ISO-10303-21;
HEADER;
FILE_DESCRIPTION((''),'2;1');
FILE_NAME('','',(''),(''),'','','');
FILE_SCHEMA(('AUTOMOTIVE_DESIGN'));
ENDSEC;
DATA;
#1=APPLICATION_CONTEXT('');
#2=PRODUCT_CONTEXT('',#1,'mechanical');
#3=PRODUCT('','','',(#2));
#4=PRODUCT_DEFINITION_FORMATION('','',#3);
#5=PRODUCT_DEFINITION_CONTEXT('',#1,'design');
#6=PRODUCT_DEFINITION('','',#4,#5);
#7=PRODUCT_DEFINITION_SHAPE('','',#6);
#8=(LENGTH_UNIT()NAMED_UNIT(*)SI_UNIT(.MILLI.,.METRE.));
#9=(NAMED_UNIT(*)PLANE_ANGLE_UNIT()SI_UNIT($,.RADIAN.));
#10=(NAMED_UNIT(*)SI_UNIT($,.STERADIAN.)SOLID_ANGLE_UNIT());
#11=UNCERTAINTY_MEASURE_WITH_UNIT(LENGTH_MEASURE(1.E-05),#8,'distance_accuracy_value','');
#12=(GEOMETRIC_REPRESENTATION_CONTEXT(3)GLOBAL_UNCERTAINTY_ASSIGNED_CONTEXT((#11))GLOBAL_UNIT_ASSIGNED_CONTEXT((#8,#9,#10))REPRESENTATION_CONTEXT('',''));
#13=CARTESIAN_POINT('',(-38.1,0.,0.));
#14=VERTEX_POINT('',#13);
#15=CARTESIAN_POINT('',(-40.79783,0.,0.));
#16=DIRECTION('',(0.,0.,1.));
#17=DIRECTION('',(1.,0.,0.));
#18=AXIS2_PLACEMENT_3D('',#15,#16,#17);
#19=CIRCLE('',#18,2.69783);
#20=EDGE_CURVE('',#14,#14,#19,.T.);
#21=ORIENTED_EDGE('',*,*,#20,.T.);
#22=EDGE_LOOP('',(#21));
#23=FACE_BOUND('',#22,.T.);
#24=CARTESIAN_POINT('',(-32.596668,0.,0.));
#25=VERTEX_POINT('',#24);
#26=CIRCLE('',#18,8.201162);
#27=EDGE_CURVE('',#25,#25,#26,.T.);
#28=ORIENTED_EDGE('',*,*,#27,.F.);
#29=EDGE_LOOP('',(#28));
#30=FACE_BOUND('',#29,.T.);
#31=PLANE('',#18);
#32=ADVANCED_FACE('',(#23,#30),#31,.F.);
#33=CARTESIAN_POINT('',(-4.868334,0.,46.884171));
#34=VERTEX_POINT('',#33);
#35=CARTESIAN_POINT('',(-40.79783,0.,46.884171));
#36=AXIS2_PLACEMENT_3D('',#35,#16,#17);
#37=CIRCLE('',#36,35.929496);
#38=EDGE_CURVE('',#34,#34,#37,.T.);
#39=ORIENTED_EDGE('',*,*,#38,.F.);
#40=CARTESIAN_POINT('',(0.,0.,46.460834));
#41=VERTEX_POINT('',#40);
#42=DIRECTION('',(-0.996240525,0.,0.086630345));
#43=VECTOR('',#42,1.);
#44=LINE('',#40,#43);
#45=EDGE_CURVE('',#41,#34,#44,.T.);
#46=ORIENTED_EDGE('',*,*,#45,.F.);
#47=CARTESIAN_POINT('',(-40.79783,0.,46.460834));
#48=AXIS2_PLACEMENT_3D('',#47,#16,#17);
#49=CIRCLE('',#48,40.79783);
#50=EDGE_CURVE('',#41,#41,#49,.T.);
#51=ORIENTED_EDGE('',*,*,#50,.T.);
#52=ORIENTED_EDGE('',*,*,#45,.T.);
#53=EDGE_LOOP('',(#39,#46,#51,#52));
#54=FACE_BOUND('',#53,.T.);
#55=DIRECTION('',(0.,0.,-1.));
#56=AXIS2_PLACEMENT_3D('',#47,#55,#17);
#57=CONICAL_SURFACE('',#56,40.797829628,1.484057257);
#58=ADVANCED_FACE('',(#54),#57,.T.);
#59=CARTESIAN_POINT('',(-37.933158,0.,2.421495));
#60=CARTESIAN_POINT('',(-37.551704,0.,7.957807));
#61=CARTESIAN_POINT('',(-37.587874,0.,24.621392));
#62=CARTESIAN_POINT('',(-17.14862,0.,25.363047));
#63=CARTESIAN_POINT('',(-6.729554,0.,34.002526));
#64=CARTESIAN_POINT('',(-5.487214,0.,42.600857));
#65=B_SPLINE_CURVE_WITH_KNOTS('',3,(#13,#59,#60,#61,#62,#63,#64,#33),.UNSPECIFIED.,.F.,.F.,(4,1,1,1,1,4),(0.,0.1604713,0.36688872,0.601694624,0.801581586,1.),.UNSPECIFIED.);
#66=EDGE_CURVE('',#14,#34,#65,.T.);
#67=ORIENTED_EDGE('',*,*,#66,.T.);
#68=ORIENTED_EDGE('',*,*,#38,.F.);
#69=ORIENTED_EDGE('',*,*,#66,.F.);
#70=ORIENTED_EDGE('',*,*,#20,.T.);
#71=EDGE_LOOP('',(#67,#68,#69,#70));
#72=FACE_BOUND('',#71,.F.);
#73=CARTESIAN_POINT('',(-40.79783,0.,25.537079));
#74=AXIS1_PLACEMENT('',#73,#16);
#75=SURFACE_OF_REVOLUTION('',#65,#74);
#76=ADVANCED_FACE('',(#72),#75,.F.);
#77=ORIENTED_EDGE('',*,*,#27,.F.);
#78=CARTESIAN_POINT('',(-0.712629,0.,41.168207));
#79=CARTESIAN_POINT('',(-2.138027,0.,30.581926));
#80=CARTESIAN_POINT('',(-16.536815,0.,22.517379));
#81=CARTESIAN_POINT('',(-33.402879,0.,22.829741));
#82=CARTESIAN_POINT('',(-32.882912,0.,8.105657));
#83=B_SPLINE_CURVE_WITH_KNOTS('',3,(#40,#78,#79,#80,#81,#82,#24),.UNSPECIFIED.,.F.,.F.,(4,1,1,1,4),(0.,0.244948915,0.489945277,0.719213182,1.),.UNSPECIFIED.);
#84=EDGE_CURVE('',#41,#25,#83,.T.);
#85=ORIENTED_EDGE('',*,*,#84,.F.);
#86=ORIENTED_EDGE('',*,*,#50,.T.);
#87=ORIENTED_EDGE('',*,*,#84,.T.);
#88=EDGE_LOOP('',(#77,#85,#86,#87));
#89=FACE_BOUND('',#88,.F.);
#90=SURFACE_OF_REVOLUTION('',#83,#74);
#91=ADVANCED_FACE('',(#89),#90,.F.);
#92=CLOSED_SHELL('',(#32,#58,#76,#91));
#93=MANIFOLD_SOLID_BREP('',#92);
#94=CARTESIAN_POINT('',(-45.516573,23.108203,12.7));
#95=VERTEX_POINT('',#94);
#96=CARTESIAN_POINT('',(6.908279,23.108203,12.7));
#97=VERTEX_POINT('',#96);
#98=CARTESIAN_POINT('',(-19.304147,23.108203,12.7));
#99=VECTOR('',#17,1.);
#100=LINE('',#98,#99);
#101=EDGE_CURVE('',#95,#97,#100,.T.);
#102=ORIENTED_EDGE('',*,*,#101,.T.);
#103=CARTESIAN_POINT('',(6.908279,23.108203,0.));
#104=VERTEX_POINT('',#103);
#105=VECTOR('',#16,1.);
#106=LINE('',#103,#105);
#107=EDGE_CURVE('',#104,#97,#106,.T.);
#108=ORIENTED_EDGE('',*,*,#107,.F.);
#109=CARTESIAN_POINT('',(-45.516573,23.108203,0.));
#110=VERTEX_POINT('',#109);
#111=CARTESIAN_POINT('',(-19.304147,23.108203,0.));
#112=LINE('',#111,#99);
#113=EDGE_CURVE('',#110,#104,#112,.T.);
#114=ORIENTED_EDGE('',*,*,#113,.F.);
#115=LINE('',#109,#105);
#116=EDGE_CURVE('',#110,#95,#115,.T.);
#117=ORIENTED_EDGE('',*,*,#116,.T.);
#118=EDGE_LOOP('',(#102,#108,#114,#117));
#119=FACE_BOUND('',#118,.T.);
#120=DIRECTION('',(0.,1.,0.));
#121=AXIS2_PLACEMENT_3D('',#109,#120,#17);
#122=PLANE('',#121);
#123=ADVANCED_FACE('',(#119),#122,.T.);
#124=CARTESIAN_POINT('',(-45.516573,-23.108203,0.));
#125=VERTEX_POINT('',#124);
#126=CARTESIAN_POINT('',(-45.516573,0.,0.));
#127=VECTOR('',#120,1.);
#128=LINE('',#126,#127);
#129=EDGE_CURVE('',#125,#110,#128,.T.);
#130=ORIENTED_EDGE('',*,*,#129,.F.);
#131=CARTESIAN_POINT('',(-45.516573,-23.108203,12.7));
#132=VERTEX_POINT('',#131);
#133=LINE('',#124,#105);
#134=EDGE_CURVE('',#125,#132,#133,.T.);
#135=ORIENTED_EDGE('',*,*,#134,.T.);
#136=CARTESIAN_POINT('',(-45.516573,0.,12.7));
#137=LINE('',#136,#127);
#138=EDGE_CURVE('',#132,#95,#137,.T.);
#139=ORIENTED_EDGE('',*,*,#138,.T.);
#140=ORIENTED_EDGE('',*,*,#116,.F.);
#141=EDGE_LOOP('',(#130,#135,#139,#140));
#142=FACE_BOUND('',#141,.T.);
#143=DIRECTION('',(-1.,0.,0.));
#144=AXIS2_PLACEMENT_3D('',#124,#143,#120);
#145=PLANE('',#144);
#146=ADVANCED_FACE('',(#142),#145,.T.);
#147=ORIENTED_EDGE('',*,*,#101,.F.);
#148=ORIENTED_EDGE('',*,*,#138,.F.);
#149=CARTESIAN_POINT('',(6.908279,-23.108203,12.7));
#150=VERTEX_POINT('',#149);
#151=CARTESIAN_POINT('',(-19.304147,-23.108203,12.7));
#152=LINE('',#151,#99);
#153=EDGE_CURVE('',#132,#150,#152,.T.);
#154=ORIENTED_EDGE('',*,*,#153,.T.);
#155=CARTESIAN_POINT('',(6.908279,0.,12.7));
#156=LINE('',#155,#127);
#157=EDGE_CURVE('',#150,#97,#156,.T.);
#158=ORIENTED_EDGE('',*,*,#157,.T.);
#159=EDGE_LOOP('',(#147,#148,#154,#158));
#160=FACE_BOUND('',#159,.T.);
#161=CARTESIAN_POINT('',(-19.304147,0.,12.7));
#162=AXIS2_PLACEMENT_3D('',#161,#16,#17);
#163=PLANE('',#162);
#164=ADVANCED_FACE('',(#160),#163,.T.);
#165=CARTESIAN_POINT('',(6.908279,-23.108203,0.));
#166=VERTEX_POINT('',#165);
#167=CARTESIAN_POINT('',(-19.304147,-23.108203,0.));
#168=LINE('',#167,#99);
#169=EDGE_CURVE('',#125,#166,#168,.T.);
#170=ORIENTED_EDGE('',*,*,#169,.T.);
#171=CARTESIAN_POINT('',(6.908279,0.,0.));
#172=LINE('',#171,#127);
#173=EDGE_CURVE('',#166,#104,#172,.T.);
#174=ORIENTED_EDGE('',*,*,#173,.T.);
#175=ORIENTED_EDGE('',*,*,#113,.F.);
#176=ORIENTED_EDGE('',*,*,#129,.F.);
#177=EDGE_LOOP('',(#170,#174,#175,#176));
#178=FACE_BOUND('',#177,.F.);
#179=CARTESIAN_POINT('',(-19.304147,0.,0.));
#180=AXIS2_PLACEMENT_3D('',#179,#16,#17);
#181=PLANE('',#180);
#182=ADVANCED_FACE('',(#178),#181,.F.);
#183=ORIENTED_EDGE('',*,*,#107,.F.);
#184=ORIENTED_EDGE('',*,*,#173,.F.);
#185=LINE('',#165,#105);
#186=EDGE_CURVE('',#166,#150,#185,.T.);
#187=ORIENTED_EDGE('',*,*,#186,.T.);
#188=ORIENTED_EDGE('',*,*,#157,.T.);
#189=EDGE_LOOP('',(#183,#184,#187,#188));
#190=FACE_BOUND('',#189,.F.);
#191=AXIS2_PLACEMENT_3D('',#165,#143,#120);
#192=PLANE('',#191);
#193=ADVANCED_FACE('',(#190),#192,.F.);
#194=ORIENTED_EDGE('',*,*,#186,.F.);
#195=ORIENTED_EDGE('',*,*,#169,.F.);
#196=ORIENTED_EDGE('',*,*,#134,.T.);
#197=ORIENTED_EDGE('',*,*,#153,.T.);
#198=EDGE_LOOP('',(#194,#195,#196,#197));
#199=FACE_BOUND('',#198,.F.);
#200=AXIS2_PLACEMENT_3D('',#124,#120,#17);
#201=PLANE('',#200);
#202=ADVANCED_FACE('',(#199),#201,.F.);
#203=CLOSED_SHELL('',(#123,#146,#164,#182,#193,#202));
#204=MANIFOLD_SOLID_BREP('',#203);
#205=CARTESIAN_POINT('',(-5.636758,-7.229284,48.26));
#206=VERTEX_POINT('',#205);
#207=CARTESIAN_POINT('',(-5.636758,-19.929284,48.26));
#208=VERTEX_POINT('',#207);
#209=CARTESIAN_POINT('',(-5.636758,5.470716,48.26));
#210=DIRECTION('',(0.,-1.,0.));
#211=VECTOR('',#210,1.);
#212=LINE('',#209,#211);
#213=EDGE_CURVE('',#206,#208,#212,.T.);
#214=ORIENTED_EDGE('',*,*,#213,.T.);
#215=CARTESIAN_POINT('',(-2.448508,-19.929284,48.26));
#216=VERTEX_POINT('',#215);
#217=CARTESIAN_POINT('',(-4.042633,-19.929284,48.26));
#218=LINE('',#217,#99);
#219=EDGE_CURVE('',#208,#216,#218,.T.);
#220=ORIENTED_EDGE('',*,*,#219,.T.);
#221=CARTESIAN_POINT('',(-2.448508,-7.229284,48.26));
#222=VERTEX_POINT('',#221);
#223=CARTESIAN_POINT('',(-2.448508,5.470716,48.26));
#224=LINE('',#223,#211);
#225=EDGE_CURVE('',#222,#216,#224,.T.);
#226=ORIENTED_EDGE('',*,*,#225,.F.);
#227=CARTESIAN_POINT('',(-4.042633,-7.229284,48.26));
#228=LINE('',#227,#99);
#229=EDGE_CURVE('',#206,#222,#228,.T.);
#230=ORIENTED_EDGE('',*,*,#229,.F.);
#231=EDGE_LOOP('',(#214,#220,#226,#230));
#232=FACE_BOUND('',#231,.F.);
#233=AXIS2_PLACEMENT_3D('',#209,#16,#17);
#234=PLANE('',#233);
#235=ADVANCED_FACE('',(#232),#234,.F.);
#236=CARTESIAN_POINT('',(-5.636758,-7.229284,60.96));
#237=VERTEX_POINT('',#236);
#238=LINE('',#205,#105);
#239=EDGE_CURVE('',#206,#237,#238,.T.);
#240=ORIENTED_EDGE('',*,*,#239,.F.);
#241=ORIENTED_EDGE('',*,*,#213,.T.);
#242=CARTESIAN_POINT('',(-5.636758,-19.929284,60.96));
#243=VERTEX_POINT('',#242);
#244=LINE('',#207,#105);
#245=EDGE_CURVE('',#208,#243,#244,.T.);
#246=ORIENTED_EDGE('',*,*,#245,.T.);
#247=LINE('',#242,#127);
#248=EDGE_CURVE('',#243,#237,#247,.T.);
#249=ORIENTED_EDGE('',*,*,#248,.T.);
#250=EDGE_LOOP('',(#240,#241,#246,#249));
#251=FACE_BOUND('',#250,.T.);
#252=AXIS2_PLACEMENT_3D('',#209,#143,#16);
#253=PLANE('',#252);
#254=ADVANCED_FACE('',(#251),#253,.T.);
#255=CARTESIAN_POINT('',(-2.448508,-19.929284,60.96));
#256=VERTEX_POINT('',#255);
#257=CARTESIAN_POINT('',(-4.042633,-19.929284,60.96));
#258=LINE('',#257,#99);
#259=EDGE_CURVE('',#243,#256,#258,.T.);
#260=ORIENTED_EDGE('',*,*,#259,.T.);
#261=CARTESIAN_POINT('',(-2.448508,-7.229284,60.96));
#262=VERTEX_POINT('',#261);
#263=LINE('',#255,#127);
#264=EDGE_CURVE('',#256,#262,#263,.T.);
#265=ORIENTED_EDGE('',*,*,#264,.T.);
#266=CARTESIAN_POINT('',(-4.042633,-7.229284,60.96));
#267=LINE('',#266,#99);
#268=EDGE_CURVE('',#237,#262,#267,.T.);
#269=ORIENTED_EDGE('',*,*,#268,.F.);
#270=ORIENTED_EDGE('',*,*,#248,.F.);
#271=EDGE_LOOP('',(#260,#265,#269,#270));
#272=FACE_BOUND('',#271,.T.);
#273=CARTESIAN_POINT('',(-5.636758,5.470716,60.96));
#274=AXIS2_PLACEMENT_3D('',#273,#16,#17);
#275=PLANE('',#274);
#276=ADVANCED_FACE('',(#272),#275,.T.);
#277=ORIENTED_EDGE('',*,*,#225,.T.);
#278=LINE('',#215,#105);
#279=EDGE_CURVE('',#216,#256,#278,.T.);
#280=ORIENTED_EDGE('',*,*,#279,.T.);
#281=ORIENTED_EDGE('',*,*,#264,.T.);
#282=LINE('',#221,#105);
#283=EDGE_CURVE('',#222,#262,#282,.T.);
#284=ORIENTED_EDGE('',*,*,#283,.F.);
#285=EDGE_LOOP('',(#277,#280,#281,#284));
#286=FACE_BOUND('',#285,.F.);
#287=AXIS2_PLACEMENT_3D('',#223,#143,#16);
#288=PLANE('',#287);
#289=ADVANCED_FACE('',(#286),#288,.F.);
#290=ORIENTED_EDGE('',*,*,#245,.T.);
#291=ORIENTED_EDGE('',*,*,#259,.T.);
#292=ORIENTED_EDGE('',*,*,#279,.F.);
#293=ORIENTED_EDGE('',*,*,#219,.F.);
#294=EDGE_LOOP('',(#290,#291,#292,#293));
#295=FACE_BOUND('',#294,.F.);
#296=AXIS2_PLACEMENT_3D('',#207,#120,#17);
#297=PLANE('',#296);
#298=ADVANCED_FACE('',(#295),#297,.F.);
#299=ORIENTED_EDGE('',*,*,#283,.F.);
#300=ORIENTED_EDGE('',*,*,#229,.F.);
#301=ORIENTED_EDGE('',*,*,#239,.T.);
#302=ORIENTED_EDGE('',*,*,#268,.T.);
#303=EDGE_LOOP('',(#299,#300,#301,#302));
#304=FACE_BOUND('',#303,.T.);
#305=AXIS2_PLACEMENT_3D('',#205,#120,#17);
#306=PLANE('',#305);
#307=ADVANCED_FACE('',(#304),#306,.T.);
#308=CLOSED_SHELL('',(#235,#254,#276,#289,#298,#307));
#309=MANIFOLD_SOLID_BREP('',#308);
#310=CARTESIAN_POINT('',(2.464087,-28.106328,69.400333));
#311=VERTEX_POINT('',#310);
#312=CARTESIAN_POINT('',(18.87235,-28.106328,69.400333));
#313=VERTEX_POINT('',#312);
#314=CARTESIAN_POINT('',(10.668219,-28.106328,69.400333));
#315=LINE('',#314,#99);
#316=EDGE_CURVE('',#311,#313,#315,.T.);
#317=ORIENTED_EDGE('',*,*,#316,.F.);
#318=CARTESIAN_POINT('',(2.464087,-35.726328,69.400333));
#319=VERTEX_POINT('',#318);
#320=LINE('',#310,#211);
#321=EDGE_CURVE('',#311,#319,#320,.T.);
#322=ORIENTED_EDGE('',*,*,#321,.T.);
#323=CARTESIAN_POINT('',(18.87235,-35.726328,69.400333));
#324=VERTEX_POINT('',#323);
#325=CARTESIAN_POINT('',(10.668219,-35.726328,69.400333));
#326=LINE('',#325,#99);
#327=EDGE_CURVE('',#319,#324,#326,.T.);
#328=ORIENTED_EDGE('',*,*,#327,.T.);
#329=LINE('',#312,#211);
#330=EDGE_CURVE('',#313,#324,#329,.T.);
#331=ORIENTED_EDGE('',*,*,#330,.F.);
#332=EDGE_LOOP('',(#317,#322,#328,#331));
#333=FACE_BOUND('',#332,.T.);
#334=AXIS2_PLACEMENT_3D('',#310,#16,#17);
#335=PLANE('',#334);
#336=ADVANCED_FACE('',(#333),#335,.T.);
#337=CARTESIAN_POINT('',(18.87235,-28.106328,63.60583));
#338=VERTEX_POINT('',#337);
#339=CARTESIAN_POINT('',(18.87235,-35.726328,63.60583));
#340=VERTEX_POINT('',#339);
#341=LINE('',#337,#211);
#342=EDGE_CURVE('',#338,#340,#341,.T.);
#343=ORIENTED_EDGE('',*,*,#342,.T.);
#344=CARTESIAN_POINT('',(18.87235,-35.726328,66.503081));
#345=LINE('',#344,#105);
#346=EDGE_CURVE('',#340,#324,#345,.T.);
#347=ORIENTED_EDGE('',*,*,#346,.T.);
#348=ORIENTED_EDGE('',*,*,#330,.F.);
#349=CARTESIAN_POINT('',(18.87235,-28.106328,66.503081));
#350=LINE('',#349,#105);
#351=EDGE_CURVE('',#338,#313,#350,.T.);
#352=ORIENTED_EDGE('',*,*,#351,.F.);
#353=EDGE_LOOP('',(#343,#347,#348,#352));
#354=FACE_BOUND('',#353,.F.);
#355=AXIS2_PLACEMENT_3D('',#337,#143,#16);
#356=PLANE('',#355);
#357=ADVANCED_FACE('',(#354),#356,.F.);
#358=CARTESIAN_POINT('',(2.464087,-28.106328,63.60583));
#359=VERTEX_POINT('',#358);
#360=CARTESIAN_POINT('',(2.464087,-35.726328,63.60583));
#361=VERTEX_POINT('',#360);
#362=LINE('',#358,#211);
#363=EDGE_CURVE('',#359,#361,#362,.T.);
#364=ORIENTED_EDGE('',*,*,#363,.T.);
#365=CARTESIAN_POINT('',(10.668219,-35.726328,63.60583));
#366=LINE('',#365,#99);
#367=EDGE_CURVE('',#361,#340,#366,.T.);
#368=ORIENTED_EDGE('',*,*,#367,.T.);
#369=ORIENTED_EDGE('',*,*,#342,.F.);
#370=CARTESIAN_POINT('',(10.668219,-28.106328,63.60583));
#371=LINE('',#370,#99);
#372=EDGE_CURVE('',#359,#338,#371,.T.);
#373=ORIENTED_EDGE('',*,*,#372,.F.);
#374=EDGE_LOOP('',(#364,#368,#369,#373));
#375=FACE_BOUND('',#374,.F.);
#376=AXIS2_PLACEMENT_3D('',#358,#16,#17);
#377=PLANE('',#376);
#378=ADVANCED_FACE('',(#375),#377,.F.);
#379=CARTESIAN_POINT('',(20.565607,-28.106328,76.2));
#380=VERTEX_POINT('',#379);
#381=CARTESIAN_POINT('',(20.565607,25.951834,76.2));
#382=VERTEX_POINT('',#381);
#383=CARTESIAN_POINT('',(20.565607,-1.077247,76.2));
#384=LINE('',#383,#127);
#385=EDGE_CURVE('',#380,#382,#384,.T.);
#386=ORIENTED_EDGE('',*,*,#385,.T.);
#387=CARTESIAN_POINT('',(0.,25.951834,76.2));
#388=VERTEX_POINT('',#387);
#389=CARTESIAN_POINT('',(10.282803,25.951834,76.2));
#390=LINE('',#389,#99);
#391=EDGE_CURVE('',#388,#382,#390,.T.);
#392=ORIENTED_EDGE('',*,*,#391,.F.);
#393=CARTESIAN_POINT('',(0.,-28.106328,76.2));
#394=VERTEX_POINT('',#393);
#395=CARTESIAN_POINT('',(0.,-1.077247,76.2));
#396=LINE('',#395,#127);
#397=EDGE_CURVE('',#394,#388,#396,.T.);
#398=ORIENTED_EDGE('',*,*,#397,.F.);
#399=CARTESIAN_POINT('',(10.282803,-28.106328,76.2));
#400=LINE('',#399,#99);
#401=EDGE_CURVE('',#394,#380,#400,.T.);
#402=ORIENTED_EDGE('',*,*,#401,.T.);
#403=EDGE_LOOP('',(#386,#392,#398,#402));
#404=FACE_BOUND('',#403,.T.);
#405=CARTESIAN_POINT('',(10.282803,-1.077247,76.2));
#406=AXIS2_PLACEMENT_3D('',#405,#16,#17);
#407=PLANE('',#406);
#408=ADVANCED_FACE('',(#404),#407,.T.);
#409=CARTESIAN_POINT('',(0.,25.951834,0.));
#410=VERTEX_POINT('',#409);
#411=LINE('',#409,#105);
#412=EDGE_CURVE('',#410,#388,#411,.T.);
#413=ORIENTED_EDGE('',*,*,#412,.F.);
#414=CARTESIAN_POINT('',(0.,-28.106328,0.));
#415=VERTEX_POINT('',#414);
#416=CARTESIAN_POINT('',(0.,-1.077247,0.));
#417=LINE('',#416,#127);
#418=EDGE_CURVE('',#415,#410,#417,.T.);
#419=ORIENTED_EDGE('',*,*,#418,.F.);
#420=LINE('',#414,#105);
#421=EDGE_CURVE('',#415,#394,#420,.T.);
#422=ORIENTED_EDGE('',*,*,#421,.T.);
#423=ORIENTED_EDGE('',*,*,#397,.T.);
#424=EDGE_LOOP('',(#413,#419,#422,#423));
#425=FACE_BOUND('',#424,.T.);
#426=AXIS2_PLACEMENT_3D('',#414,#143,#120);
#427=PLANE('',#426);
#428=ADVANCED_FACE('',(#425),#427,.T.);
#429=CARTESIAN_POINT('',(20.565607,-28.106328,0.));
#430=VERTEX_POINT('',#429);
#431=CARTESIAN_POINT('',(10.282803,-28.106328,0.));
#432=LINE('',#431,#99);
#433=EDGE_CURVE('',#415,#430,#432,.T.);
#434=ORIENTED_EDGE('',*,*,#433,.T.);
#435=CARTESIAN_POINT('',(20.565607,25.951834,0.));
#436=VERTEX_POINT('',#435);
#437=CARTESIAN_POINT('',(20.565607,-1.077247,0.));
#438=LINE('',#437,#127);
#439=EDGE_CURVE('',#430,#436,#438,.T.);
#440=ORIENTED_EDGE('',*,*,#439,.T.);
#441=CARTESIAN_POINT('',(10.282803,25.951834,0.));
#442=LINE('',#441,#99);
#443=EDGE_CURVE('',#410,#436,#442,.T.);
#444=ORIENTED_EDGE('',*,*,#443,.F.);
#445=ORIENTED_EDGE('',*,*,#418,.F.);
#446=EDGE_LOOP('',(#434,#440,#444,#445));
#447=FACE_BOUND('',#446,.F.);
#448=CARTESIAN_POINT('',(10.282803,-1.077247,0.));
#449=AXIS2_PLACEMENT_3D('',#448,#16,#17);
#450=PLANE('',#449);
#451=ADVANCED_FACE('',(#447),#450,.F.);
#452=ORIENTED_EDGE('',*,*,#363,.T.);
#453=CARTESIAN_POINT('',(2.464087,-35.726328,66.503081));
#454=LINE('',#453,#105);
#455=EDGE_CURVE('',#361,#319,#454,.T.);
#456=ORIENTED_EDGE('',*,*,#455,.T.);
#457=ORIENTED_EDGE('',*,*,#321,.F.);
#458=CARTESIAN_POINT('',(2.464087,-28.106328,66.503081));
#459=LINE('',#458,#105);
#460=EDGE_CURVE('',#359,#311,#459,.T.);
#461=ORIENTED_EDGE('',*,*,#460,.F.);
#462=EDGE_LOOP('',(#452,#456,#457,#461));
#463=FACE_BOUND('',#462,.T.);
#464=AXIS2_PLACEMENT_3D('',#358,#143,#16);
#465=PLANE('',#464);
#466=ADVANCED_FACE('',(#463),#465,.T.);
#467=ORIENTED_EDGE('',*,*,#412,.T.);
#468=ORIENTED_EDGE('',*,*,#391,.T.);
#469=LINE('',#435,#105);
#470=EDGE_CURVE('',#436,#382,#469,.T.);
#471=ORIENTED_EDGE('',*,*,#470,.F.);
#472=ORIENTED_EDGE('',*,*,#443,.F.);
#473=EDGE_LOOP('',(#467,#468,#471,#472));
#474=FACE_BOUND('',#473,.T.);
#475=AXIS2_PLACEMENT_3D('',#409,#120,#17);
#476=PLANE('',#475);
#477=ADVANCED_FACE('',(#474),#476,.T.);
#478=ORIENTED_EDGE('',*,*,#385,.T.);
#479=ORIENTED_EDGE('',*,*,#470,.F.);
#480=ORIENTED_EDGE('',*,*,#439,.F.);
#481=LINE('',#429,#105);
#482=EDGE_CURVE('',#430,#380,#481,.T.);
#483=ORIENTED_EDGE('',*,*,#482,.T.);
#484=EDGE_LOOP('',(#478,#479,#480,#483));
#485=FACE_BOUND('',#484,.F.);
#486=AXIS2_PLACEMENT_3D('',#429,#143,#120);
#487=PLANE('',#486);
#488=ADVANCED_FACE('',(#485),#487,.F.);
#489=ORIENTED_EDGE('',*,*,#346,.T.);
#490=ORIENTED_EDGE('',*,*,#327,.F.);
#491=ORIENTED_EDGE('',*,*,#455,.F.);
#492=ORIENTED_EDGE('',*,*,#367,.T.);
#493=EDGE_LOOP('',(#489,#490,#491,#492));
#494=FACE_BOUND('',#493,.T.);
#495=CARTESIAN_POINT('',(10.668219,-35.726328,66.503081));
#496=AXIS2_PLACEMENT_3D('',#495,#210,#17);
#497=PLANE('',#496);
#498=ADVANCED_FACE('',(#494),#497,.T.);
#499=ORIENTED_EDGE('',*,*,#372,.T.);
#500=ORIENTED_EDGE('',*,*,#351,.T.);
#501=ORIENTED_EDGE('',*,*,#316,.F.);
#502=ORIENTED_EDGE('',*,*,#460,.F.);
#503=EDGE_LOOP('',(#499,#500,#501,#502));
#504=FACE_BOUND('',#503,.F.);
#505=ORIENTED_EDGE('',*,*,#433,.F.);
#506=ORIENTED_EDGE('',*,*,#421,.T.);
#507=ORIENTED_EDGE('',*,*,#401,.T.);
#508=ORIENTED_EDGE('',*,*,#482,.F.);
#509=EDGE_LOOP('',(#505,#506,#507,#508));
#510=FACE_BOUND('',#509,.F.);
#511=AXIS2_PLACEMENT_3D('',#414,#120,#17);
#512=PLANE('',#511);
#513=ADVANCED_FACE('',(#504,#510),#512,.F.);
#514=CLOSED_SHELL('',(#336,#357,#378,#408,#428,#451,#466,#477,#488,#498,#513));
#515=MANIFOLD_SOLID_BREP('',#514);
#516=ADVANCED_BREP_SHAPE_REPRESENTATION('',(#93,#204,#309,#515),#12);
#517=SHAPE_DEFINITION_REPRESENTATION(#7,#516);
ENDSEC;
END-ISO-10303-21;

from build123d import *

# Parameters (mm, degrees)
F0_W      = 20.5656066537
F0_H      = 54.0581624955
F1_DEPTH  = 76.2
F5_W      = 16.4082637057
F5_H      = 5.7945027947
F6_DEPTH  = 7.62
F7_W      = 52.424851805
F7_H      = 46.2164059281
F8_DEPTH  = 12.7
F10_W     = 3.1882505864
F10_H     = 10.9414318576
F11_DEPTH = 12.7
F12_DEPTH = 25.4
F13_DEPTH = 12.7


with BuildPart() as f1:
    # F0 (on Top) → F1 (new body)
    with BuildSketch(Plane.XY):
        with Locations((10.2828033268, -1.0772468522)):
            Rectangle(F0_W, F0_H)
    extrude(amount=F1_DEPTH)

    # F5 (on face) → F6 (join)
    with BuildSketch(Plane.XZ.offset(28.1063281)):
        with Locations((10.6682186015, 66.5030814707)):
            Rectangle(F5_W, F5_H)
    extrude(amount=F6_DEPTH)


with BuildPart() as f4:
    # F2 (on Front) → F4 (revolve)
    with BuildSketch(Plane.XZ):
        with BuildLine():
            add(Edge.make_bspline(
                [(0, 46.4608344404), (-0.712629488, 41.1682067449), (-2.1380265, 30.5819261738), (-16.5368148643, 22.5173794107), (-33.4028787088, 22.8297413406), (-32.8829115311, 8.1056571837), (-32.5966678744, 0)],
                knots=[0, 0, 0, 0, 0.244948915, 0.4899452765, 0.7192131823, 1, 1, 1, 1], degree=3))
            Line((0, 46.4608344404), (-4.8683337359, 46.8841713971))
            add(Edge.make_bspline(
                [(-38.1, 0), (-37.9331579189, 2.4214950026), (-37.5517035553, 7.9578071182), (-37.5878736416, 24.6213915584), (-17.1486198813, 25.3630469839), (-6.7295544595, 34.0025257621), (-5.4872138126, 42.6008568298), (-4.8683337359, 46.8841713971)],
                knots=[0, 0, 0, 0, 0.1604712998, 0.3668887198, 0.6016946245, 0.8015815856, 1, 1, 1, 1], degree=3))
            Line((-38.1, 0), (-32.5966678744, 0))
        make_face()
    revolve(axis=Axis((-40.797829628, 0, 25.5370792001), (0, 0, 1)))


with BuildPart() as f8:
    # F7 (on Top) → F8 (new body)
    with BuildSketch(Plane.XY):
        with Locations((-19.3041469902, 0)):
            Rectangle(F7_W, F7_H)
    extrude(amount=F8_DEPTH)


with BuildPart() as f11:
    # F10 (on offset) → F11 (new body)
    with BuildSketch(Plane.XY.offset(48.26)):
        with Locations((-4.0426328778, 0)):
            Rectangle(F10_W, F10_H)
    extrude(amount=F11_DEPTH)

    # F12 (add): a face of the model
    f12_faces = [f11.faces().sort_by_distance(p)[0] for p in [
        (-4.0426328778, 5.4707159288, 54.61),
    ]]
    extrude(f12_faces, amount=-F12_DEPTH)

    # F13 (cut): a face of the model
    f13_faces = [f11.faces().sort_by_distance(p)[0] for p in [
        (-4.0426328778, 5.4707159288, 54.61),
    ]]
    extrude(f13_faces, amount=-F13_DEPTH, mode=Mode.SUBTRACT)


solid = Compound([f1.part, f4.part, f8.part, f11.part])
